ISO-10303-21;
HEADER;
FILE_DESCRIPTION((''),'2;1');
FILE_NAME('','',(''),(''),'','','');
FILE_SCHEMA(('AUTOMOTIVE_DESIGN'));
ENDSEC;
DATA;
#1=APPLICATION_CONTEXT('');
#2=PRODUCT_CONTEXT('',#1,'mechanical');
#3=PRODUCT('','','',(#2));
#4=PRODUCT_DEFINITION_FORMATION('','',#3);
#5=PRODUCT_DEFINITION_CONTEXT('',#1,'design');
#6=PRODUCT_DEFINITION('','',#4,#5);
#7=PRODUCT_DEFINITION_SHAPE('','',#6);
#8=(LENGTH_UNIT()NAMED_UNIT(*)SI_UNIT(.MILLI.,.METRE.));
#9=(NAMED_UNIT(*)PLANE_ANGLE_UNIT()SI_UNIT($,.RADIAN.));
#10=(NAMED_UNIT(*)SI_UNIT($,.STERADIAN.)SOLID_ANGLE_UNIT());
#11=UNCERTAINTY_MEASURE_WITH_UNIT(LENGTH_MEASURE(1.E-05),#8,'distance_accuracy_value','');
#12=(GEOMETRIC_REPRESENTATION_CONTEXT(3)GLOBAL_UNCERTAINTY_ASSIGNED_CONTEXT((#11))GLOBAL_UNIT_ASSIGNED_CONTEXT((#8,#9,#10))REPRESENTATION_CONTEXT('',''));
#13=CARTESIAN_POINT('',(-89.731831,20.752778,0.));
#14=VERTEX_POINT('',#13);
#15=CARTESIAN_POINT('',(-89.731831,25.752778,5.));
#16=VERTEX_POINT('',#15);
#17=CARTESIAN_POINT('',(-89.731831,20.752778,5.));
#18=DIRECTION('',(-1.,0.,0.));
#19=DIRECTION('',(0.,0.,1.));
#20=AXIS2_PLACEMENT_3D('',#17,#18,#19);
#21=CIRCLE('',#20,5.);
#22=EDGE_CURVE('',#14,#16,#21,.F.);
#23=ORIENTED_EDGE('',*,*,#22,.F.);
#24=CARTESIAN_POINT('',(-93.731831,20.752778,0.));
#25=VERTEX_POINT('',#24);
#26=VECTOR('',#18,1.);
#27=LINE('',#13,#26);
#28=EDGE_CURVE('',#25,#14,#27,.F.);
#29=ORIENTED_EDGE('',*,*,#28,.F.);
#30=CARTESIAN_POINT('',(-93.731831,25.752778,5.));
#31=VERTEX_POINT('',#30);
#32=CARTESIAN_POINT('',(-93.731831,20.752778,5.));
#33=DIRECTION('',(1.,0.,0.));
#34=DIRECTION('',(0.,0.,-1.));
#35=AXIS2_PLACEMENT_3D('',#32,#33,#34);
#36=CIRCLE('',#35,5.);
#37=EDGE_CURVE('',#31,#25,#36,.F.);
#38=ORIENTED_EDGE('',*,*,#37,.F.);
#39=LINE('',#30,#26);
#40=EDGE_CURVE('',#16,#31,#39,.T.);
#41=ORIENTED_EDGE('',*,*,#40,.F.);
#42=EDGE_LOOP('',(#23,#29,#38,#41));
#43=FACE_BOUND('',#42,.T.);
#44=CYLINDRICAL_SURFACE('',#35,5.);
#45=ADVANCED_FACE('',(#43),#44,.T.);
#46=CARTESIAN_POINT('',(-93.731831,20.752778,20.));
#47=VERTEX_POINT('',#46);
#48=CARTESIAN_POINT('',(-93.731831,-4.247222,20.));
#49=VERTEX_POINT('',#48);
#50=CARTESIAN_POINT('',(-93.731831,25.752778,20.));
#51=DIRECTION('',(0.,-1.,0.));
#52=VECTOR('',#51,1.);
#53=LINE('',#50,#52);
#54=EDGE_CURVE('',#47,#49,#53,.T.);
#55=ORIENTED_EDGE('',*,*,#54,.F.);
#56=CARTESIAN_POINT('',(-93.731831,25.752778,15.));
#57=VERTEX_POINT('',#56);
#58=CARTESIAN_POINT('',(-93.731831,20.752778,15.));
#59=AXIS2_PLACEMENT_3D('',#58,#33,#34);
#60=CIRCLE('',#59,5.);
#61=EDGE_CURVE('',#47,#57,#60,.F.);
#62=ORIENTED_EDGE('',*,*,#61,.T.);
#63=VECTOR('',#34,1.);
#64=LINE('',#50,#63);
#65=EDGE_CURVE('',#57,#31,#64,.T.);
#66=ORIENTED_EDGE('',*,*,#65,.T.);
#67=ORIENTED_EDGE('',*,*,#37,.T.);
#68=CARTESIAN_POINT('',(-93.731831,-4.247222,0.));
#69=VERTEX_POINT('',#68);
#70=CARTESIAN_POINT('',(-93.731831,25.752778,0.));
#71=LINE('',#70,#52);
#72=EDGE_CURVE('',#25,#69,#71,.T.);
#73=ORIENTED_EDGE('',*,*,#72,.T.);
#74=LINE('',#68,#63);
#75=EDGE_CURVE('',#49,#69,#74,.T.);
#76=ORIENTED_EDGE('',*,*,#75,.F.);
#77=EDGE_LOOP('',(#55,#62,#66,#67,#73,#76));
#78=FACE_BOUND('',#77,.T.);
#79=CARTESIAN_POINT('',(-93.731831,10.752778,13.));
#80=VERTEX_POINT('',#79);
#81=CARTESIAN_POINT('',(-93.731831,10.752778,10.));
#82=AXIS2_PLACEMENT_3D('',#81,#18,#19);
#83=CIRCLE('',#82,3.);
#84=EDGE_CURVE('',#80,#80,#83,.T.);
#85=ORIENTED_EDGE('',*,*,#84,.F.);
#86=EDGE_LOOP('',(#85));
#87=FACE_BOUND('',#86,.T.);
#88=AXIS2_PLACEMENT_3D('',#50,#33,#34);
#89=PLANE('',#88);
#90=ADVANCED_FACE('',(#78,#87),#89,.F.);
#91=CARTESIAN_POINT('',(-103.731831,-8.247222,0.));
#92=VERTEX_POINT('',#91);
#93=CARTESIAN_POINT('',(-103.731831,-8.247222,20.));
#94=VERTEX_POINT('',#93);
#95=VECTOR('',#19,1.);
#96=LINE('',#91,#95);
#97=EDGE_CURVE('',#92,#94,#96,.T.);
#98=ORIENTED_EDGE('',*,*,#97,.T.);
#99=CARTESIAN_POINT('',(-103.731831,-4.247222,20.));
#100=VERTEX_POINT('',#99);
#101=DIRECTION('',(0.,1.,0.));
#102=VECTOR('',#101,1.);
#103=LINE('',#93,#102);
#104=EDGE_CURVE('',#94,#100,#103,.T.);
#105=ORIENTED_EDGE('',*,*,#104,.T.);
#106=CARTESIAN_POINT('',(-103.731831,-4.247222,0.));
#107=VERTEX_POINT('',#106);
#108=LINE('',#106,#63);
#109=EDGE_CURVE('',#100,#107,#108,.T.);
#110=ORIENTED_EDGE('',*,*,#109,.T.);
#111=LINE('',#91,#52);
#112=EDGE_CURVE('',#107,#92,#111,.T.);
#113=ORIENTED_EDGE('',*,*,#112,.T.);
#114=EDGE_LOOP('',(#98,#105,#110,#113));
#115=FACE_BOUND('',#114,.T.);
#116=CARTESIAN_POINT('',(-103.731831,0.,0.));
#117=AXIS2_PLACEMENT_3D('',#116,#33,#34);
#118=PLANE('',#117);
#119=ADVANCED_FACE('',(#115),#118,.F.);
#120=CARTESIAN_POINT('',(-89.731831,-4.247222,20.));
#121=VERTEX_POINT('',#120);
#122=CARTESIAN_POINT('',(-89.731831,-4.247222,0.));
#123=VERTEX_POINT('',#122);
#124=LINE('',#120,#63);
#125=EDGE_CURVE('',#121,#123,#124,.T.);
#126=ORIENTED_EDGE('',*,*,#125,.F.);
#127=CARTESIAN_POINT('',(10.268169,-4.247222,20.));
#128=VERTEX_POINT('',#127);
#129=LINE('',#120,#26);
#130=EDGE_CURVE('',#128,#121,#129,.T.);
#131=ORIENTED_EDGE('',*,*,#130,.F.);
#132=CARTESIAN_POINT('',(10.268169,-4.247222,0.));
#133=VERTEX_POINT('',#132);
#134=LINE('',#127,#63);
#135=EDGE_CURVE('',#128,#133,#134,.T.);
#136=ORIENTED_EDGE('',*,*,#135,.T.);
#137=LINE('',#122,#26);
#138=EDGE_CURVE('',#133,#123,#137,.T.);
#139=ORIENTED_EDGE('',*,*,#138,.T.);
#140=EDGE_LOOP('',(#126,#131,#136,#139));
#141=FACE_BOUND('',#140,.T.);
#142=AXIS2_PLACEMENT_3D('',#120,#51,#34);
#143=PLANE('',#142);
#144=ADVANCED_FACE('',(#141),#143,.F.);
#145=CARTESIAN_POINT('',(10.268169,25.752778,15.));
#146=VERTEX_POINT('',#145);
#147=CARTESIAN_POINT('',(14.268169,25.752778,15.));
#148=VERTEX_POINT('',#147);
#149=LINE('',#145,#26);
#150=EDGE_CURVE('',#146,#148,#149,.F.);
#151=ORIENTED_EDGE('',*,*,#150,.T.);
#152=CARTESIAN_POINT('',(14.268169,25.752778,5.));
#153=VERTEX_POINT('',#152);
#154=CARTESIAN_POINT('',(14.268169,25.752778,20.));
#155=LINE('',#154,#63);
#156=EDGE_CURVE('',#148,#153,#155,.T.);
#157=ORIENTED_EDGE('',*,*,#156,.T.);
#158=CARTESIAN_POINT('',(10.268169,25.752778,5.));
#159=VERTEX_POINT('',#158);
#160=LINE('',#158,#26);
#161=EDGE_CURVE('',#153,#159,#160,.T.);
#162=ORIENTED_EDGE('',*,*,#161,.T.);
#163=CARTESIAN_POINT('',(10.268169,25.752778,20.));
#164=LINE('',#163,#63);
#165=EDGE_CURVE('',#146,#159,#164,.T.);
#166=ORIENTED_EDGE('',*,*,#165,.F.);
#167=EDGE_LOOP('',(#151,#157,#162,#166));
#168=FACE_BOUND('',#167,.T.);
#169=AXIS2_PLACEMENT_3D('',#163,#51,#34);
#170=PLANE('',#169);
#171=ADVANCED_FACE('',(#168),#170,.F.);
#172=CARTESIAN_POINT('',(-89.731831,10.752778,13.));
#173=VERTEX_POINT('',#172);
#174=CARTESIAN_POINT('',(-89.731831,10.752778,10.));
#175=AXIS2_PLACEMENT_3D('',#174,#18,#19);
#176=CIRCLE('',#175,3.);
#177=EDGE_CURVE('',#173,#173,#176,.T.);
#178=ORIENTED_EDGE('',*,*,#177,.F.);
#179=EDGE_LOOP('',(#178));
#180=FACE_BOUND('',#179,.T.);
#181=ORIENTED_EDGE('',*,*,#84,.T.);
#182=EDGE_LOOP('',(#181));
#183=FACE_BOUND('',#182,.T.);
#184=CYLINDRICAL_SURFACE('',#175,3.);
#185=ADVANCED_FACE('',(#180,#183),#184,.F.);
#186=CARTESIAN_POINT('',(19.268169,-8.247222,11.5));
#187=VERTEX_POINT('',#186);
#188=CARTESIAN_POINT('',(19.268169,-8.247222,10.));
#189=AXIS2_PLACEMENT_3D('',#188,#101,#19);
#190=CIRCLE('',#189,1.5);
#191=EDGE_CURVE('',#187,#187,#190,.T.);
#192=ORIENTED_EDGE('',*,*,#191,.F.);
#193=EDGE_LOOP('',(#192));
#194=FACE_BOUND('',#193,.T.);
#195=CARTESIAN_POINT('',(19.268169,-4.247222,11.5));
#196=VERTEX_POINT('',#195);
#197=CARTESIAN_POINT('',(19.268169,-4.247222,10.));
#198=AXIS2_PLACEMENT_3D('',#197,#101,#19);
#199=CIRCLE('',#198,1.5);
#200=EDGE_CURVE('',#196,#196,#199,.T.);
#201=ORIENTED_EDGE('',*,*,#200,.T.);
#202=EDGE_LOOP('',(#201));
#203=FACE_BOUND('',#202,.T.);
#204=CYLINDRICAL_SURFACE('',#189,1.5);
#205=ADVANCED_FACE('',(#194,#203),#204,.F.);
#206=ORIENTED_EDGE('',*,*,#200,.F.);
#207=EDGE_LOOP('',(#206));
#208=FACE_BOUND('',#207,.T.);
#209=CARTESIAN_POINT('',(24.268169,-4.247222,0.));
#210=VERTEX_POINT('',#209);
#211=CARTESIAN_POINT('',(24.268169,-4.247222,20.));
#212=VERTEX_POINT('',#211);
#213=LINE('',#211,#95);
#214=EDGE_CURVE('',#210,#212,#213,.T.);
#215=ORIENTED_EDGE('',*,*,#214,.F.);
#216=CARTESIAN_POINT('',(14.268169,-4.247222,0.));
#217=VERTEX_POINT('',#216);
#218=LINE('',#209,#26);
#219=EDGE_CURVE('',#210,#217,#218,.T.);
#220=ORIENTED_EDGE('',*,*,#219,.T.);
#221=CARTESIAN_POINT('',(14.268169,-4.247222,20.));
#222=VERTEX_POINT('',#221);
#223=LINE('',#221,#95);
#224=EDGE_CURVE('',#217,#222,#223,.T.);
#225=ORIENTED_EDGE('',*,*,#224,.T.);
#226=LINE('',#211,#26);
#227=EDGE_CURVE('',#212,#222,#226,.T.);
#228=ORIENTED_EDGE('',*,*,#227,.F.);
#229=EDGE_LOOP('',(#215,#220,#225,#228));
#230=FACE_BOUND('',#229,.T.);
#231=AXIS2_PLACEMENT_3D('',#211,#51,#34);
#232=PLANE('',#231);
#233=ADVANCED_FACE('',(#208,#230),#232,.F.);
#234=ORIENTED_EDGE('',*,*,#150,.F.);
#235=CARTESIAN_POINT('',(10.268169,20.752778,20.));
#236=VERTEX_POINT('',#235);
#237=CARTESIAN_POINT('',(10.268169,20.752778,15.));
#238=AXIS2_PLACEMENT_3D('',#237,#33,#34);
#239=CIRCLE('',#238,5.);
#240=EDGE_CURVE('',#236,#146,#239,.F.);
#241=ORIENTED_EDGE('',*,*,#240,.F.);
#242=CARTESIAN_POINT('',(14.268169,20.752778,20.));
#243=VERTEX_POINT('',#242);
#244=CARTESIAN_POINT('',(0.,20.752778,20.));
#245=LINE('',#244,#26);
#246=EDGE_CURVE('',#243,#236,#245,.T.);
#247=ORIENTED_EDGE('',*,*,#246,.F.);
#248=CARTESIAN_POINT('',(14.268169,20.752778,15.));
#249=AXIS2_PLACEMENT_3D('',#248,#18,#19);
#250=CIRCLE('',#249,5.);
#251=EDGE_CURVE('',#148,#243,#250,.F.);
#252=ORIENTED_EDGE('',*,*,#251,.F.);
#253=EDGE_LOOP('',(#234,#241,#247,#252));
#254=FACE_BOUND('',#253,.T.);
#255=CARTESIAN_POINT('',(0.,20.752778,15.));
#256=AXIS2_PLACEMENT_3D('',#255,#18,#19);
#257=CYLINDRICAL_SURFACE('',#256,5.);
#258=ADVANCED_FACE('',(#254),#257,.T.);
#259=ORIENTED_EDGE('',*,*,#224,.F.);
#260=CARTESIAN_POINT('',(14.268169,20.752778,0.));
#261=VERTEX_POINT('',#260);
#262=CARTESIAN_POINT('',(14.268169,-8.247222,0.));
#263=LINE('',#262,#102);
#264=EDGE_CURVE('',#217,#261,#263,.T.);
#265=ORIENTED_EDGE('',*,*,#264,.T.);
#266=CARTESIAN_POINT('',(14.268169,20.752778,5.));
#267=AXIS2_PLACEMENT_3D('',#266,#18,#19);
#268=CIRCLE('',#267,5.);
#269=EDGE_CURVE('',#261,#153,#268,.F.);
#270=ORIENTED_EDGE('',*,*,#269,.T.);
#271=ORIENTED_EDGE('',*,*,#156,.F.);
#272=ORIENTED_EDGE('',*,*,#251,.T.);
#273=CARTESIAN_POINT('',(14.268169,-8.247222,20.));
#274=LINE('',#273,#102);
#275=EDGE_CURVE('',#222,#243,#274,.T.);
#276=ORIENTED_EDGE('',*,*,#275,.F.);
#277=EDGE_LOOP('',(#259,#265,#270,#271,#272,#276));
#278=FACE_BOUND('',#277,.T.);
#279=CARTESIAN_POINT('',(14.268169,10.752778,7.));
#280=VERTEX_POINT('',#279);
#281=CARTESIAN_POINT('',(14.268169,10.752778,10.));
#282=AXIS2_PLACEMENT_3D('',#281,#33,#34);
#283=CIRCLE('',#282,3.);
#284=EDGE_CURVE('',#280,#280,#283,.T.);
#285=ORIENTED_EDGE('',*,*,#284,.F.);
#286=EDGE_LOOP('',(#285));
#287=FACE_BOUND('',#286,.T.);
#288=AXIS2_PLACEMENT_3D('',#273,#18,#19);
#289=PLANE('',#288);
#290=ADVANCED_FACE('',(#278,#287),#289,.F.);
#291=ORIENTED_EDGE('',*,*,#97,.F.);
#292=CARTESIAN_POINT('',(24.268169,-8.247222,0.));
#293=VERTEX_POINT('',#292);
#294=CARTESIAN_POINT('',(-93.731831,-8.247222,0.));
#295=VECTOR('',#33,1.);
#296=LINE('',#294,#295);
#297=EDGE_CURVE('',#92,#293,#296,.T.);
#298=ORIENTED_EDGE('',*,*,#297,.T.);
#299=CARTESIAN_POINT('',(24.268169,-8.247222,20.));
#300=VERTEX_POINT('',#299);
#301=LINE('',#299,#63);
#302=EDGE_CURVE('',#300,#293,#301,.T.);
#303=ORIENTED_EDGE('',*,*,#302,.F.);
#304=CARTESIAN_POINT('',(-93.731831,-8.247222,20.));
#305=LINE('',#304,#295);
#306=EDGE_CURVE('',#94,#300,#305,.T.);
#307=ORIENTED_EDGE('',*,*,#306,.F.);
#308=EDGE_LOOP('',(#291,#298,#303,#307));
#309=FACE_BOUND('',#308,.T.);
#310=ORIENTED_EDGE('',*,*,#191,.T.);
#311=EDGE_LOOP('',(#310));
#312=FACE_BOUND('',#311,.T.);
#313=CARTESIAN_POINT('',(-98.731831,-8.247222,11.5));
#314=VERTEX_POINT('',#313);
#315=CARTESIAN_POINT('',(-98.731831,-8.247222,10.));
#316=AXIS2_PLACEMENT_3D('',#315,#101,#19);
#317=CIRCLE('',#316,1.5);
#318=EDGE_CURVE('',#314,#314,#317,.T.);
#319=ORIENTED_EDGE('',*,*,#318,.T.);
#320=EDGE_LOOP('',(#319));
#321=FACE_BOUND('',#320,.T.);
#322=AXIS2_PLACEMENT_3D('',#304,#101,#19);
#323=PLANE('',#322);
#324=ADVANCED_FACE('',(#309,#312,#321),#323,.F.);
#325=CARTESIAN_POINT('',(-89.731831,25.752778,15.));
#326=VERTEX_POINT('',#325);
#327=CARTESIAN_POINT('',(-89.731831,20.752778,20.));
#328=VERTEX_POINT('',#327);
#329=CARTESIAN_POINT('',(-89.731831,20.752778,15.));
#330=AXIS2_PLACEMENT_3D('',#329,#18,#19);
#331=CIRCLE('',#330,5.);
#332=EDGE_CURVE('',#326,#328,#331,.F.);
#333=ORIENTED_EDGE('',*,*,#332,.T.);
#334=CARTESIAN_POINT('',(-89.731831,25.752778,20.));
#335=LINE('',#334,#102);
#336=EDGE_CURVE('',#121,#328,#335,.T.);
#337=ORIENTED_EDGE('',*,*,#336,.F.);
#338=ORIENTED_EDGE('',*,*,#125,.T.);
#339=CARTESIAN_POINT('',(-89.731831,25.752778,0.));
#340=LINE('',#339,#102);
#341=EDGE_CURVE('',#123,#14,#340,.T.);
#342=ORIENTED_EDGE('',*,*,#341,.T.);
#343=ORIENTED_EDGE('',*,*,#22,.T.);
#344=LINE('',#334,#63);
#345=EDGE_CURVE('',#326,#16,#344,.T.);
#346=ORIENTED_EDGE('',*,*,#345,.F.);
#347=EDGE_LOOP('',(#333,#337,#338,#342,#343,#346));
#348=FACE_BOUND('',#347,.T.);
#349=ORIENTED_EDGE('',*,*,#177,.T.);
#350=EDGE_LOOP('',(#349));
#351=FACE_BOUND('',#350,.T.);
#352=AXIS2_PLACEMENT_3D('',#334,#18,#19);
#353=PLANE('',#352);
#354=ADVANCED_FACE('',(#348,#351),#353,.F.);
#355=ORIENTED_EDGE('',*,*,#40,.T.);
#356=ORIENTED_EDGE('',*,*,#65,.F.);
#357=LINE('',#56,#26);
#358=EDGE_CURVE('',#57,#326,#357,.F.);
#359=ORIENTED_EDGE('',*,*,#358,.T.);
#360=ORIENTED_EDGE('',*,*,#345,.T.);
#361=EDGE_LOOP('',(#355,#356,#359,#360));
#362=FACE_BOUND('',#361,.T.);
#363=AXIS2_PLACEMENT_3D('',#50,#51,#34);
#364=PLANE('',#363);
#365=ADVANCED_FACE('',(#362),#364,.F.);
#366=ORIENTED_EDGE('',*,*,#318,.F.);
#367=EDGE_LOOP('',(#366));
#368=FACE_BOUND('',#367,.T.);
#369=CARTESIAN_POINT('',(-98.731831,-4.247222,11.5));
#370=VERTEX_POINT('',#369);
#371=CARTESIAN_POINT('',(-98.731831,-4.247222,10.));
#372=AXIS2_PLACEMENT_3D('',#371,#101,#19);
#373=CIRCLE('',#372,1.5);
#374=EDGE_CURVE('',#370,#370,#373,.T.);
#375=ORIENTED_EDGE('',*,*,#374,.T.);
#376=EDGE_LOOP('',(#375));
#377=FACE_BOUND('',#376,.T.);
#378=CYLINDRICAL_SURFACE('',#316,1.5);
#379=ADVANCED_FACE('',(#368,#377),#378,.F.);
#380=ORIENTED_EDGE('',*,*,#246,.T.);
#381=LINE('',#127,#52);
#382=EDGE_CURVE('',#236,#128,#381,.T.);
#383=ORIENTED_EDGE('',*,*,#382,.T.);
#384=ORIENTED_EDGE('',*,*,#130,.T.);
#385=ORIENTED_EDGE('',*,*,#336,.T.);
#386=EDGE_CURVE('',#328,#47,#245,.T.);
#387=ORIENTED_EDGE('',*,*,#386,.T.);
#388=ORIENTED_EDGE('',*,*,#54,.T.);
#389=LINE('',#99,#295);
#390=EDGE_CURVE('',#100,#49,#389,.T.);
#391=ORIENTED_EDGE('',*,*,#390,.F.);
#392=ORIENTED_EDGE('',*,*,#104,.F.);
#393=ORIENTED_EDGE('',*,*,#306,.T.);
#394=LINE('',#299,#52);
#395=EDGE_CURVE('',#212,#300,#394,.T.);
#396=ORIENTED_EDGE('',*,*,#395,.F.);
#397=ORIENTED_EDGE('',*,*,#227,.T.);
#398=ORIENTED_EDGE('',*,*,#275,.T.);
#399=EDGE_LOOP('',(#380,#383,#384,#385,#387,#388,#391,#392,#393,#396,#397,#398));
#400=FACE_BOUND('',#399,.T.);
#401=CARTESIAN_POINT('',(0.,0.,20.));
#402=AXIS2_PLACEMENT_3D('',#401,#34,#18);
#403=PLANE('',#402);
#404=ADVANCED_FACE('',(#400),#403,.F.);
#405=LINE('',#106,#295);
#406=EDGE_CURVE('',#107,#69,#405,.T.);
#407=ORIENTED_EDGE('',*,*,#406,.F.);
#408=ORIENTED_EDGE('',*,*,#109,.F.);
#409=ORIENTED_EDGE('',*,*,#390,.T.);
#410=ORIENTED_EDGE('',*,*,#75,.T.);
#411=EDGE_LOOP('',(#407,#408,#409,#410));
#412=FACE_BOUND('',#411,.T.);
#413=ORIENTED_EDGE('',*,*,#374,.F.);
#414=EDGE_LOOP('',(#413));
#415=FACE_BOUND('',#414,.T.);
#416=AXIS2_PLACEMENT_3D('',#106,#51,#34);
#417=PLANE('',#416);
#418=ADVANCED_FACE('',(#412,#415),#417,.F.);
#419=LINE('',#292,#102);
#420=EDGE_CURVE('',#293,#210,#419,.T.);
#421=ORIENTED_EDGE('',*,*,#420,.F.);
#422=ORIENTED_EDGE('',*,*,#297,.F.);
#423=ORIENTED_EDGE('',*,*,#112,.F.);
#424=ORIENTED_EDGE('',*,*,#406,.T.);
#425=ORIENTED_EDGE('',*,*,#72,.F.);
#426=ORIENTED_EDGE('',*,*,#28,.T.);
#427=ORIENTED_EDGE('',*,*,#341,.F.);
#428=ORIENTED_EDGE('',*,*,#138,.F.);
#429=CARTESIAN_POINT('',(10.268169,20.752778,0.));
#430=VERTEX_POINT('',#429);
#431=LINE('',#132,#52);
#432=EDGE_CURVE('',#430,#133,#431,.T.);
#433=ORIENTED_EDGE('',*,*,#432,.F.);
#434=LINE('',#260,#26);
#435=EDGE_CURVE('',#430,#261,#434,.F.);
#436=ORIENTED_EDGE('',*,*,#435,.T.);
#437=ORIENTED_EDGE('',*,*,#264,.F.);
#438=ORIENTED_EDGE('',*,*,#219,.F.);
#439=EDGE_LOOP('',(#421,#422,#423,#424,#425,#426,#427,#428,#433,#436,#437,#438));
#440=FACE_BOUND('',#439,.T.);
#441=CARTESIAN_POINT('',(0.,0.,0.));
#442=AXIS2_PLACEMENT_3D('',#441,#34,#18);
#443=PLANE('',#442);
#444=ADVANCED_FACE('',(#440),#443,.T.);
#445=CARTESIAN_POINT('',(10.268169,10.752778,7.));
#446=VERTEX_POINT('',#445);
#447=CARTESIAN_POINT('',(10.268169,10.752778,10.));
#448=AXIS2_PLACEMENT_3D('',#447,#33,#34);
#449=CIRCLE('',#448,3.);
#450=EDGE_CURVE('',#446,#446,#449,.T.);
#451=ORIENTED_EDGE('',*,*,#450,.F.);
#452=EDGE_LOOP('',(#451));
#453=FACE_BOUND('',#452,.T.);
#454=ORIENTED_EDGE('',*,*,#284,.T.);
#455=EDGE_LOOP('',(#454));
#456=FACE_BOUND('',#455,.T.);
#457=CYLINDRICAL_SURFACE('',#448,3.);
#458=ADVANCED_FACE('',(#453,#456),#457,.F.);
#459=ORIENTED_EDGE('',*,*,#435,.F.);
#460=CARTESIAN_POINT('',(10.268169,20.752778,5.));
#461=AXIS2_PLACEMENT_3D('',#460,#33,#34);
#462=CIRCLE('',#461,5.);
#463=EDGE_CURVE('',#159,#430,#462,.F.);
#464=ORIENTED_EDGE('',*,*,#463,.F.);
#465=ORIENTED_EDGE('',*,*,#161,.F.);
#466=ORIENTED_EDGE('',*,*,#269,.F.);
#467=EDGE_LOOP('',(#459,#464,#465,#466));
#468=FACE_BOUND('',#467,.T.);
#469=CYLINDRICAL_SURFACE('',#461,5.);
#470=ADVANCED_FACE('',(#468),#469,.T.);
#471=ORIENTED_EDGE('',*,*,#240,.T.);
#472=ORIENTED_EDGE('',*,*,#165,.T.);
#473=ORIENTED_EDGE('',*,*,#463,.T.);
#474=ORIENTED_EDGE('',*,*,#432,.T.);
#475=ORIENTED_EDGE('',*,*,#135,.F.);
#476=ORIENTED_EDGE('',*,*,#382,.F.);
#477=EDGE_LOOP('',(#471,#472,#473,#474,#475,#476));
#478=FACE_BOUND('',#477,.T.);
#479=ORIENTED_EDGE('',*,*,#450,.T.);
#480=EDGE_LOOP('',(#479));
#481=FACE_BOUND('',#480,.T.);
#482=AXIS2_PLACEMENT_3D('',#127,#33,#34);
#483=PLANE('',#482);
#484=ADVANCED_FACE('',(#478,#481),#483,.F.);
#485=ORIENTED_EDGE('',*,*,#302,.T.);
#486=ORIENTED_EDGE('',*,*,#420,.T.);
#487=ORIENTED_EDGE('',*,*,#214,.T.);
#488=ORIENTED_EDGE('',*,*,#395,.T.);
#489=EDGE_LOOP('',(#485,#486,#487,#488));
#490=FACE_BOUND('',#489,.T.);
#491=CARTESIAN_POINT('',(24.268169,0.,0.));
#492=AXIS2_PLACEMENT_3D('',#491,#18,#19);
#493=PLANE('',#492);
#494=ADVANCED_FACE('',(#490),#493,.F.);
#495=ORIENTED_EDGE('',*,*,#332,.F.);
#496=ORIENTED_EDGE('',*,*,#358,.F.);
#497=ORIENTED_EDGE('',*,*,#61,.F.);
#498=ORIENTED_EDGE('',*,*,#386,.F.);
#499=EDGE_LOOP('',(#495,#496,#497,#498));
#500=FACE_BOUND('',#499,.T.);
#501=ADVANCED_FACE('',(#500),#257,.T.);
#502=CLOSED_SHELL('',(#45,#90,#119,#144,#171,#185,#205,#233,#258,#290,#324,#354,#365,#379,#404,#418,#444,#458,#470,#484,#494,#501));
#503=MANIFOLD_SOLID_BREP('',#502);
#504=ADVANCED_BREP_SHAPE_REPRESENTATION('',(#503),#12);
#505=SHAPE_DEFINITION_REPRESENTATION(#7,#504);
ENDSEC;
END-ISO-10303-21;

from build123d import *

# Parameters (mm, degrees)
BOSS_EXTRUDE1_DEPTH = 20
SKETCH2_R           = 3
CUT_EXTRUDE1_DEPTH  = 4
SKETCH3_R           = 3
CUT_EXTRUDE2_DEPTH  = 4
FILLET1_R           = 5
SKETCH4_W           = 20
SKETCH4_H           = 4
BOSS_EXTRUDE2_DEPTH = 10
SKETCH5_W           = 20
SKETCH5_H           = 4
BOSS_EXTRUDE3_DEPTH = 10
SKETCH6_R           = 1.5
CUT_EXTRUDE3_DEPTH  = 4


with BuildPart() as part:
    # Sketch1 → Boss-Extrude1 (new body)
    with BuildSketch(Plane.XY):
        Polygon((-89.731830747, 25.752777778), (-89.731830747, -4.247222222), (10.268169253, -4.247222222), (10.268169253, 25.752777778), (14.268169253, 25.752777778), (14.268169253, -8.247222222), (-93.731830747, -8.247222222), (-93.731830747, 25.752777778), align=None)
    extrude(amount=BOSS_EXTRUDE1_DEPTH)

    # Sketch2 → Cut-Extrude1 (cut)
    with BuildSketch(Plane.ZY.offset(93.731830747)):
        with Locations((10, 10.752777778)):
            Circle(SKETCH2_R)
    extrude(amount=-CUT_EXTRUDE1_DEPTH, mode=Mode.SUBTRACT)

    # Sketch3 → Cut-Extrude2 (cut)
    with BuildSketch(Plane(origin=(14.268169253, 0, 0), x_dir=(0, 0, -1), z_dir=(1, 0, 0))):
        with Locations((-10, 10.752777778)):
            Circle(SKETCH3_R)
    extrude(amount=-CUT_EXTRUDE2_DEPTH, mode=Mode.SUBTRACT)

    # Fillet1
    fillet1_edges = [part.edges().sort_by_distance(p)[0] for p in [
        (-91.731830747, 25.752777778, 0),
        (12.268169253, 25.752777778, 20),
        (-91.731830747, 25.752777778, 20),
        (12.268169253, 25.752777778, 0),
    ]]
    fillet(fillet1_edges, radius=FILLET1_R)

    # Sketch4 → Boss-Extrude2 (add)
    with BuildSketch(Plane(origin=(14.268169253, 0, 0), x_dir=(0, 0, -1), z_dir=(1, 0, 0))):
        with Locations((-10, -6.247222222)):
            Rectangle(SKETCH4_W, SKETCH4_H)
    extrude(amount=BOSS_EXTRUDE2_DEPTH)

    # Sketch5 → Boss-Extrude3 (add)
    with BuildSketch(Plane.ZY.offset(93.731830747)):
        with Locations((10, -6.247222222)):
            Rectangle(SKETCH5_W, SKETCH5_H)
    extrude(amount=BOSS_EXTRUDE3_DEPTH)

    # Sketch6 → Cut-Extrude3 (cut)
    with BuildSketch(Plane(origin=(0, -4.247222222, 0), x_dir=(1, 0, 0), z_dir=(0, 1, 0))):
        with Locations((-98.731830747, -10)):
            Circle(SKETCH6_R)
        with Locations((19.268169253, -10)):
            Circle(SKETCH6_R)
    extrude(amount=-CUT_EXTRUDE3_DEPTH, mode=Mode.SUBTRACT)


solid = part.part
